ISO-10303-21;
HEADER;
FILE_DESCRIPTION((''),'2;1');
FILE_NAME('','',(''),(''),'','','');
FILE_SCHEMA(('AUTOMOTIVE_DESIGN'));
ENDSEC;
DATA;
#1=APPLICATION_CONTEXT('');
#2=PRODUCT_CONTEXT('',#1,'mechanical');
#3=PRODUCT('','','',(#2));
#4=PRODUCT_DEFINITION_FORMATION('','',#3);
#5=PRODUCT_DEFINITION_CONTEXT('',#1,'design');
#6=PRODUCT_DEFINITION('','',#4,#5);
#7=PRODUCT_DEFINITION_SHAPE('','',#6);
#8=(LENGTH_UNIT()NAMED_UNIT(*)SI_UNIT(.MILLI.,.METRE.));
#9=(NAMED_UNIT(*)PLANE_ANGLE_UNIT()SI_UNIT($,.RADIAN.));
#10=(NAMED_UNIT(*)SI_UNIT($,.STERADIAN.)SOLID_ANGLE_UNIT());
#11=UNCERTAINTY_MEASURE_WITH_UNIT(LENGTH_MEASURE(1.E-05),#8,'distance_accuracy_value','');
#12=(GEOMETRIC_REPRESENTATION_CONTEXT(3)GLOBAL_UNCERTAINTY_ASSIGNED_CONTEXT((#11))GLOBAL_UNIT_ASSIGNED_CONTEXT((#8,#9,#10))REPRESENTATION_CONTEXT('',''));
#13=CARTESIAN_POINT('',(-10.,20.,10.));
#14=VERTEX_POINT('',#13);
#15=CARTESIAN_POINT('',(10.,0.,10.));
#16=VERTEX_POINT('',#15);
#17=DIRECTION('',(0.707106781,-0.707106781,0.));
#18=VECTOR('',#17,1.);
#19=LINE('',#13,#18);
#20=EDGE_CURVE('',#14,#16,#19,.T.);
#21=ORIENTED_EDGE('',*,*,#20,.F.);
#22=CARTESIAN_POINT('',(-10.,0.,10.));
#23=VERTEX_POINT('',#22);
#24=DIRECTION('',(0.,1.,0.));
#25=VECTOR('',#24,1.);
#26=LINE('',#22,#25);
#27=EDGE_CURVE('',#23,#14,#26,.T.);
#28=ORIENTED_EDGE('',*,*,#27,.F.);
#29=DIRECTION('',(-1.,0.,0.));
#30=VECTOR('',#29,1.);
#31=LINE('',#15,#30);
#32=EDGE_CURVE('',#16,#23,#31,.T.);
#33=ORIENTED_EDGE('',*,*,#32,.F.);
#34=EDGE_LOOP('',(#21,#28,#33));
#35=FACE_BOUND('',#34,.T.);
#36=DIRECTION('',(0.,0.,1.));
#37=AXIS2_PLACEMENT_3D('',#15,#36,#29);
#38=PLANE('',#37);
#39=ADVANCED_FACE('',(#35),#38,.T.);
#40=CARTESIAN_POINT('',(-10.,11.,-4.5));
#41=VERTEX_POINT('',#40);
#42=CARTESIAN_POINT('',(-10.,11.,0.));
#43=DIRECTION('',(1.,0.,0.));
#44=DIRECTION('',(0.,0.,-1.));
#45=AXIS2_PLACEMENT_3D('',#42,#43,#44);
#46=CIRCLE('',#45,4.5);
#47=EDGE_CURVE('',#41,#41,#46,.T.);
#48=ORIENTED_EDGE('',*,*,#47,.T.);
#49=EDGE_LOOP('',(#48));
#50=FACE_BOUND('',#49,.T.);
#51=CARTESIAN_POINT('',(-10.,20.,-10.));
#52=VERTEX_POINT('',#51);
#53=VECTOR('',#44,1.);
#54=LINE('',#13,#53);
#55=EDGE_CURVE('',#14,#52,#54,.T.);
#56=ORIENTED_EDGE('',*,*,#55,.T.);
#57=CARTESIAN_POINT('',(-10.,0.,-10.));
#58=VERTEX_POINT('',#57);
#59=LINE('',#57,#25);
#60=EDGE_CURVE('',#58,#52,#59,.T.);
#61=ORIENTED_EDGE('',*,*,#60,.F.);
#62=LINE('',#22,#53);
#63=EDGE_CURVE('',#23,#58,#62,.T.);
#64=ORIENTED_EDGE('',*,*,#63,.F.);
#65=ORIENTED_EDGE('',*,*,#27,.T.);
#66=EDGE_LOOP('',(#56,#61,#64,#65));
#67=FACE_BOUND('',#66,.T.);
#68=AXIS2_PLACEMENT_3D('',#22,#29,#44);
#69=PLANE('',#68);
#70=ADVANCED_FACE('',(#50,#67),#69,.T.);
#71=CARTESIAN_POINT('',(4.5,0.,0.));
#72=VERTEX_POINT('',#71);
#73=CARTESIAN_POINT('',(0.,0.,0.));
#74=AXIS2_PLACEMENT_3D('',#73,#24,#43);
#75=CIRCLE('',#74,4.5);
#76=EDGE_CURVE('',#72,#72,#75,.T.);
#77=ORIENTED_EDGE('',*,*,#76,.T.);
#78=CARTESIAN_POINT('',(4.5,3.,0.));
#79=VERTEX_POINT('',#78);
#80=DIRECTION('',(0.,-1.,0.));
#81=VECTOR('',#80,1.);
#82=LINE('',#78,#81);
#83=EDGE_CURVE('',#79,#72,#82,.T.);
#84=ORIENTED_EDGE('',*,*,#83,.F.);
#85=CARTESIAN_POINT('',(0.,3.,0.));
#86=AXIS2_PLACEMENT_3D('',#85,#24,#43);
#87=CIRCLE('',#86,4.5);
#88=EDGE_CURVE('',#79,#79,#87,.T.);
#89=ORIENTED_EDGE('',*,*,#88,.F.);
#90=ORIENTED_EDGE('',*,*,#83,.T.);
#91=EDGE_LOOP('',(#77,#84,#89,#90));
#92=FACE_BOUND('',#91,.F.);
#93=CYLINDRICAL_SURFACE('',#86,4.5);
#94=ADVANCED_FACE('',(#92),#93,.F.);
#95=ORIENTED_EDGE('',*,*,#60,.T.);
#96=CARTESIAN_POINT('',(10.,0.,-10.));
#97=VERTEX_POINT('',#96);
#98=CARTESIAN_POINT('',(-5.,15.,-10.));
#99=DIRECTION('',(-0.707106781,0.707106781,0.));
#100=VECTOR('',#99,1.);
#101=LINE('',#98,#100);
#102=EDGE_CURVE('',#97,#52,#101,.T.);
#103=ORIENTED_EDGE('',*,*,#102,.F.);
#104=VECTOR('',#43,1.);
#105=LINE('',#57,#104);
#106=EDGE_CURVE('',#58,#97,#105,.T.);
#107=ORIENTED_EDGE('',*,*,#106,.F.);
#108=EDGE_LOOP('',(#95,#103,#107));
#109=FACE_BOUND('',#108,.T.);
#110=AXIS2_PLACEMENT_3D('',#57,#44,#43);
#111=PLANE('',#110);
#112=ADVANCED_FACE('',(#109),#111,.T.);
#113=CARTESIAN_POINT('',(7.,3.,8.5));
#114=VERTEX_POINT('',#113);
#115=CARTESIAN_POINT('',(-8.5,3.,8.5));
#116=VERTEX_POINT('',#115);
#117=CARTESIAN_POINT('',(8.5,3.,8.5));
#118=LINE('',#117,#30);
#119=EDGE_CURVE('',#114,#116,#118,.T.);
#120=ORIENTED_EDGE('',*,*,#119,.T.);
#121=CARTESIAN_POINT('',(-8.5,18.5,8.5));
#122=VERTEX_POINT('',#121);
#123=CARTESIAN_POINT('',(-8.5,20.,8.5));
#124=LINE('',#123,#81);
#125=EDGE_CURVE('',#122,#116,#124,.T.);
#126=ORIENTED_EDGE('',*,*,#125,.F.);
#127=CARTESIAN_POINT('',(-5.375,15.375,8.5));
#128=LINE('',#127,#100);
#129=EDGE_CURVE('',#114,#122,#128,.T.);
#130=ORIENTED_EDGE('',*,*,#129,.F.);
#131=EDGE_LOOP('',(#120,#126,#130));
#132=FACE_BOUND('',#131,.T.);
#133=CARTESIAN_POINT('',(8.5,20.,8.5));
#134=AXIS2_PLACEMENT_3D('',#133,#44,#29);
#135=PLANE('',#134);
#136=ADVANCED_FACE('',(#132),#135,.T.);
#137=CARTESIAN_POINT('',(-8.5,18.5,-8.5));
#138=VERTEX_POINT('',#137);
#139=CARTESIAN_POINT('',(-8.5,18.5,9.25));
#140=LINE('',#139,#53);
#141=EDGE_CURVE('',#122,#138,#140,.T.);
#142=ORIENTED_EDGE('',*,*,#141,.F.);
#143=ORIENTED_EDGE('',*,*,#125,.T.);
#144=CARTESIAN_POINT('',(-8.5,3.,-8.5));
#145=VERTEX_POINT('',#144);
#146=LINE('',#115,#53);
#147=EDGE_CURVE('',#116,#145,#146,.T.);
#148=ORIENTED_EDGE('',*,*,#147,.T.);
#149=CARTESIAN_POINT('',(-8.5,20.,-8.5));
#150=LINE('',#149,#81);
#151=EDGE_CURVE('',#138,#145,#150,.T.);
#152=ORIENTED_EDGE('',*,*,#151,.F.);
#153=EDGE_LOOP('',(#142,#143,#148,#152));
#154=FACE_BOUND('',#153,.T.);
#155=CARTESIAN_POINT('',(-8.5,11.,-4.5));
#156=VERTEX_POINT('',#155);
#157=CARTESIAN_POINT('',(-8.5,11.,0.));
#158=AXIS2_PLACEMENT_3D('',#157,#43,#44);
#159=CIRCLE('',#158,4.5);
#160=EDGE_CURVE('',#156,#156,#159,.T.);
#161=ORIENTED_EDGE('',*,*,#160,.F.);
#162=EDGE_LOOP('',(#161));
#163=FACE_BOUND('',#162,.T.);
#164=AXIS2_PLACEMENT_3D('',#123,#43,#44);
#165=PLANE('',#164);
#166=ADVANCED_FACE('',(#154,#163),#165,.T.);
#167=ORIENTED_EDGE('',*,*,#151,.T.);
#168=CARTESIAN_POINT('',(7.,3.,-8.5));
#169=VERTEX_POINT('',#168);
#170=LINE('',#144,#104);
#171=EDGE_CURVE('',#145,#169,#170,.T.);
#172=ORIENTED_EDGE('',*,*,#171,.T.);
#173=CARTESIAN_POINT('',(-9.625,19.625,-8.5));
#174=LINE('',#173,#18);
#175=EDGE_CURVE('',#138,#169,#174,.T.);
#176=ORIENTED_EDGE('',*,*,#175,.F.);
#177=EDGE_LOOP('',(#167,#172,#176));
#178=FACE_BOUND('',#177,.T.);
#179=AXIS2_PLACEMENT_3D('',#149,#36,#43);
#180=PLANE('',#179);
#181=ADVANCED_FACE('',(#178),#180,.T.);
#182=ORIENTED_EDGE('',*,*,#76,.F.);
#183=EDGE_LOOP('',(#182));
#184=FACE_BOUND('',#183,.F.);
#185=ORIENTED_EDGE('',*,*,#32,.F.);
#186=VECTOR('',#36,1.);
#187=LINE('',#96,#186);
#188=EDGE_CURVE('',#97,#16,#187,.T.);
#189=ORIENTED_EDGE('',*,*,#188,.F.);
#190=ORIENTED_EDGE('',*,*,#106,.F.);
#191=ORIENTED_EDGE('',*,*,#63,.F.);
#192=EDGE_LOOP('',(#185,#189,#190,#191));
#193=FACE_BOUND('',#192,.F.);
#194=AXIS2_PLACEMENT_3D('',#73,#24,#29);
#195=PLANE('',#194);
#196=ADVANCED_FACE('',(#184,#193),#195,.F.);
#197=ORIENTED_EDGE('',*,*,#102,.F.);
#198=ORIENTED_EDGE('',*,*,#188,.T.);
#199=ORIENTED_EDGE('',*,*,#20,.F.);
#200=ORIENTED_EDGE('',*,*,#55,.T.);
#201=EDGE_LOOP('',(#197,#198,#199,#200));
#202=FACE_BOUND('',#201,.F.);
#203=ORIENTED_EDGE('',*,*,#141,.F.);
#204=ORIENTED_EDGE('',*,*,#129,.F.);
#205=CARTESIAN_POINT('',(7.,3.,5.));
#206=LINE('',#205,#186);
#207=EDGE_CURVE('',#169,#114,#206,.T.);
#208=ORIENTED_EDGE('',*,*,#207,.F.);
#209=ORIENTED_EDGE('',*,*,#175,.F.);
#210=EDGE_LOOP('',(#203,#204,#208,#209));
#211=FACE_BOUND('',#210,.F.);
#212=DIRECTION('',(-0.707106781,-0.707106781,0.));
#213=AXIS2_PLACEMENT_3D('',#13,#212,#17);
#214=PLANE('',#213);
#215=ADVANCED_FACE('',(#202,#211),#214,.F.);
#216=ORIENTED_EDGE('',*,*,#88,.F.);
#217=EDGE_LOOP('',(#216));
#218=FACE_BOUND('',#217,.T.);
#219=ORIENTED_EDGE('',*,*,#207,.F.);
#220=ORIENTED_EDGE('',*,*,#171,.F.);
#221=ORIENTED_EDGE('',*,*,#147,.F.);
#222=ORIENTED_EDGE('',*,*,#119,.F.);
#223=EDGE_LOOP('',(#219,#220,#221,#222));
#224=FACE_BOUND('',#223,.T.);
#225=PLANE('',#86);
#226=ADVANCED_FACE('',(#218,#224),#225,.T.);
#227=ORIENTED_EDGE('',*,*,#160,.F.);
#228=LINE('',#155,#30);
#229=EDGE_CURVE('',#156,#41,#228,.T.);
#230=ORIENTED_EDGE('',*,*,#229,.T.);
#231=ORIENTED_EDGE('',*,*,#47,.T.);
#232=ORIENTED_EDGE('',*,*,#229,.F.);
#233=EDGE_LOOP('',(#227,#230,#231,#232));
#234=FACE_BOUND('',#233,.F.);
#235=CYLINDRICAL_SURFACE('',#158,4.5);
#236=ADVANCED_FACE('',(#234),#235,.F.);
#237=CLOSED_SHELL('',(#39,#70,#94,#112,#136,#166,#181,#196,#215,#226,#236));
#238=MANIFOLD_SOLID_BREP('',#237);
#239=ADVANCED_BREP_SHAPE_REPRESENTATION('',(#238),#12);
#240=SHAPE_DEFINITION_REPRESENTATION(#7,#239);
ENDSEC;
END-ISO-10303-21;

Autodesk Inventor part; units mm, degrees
ref_plane "YZ Plane" through (0, 0, 0) normal (1, 0, 0) x (0, 1, 0)
ref_plane "XZ Plane" through (0, 0, 0) normal (0, 1, 0) x (-1, 0, 0)
ref_plane "XY Plane" through (0, 0, 0) normal (0, 0, 1) x (1, 0, 0)
sketch "Sketch1" plane through (0, 0, 0) normal (0, 1, 0) x (-1, 0, 0)
  line L0 (-10, 10) -> (10, 10)
  line L1 (10, 10) -> (10, -10)
  line L2 (10, -10) -> (-10, -10)
  line L3 (-10, -10) -> (-10, 10)
  line L4 (-10, 10) -> (10, -10) construction
  line L5 (10, 10) -> (-10, -10) construction
  point P0 (0, 0)
  dimension "d0" = 20
  dimension "d1" = 20
extrude "Extrusion1" add sketch "Sketch1" along normal blind 20
sketch "Sketch2" plane through (0, 20, 0) normal (0, 1, 0) x (1, 0, 0)
  line L0 (8.5, -8.5) -> (-8.5, -8.5)
  line L1 (-8.5, -8.5) -> (-8.5, 8.5)
  line L2 (-8.5, 8.5) -> (8.5, 8.5)
  line L3 (8.5, 8.5) -> (8.5, -8.5)
  line L4 (8.5, -8.5) -> (-8.5, 8.5) construction
  line L5 (-8.5, -8.5) -> (8.5, 8.5) construction
  point P0 (0, 0)
  dimension "d4" = 17
  dimension "d5" = 17
extrude "Extrusion2" cut sketch "Sketch2" against normal blind 17
sketch "Sketch6" plane through (-10, 0, 10) normal (0, 0, 1) x (1, 0, 0)
  line L0 (20, 0) -> (0, 0) projected
  line L1 (0, 20) -> (20, 0)
  line L2 (20, 0) -> (20, 20)
  line L3 (20, 20) -> (0, 20)
  line L4 (1.5, 20) -> (18.5, 20) projected
  point P0 (10, 0)
extrude "Extrusion6" cut sketch "Sketch6" against normal through all
sketch "Sketch7" plane through (0, 3, 0) normal (0, 1, 0) x (1, 0, 0)
  circle A0 centre (0, 0) radius 4.5
  dimension "d20" = 9
sketch "Sketch8" plane through (-8.5, 3, 8.5) normal (1, 0, 0) x (0, 0, -1)
  circle A0 centre (8.5, 8) radius 4.5
  line L0 (0, 0) -> (17, 0) projected
  point P0 (8.5, -3)
  dimension "d18" = 8
  dimension "d19" = 9
extrude "Extrusion7" cut sketch "Sketch8" against normal blind 10
extrude "Extrusion8" cut sketch "Sketch7" against normal blind 10
properties part number "corner bracket"
